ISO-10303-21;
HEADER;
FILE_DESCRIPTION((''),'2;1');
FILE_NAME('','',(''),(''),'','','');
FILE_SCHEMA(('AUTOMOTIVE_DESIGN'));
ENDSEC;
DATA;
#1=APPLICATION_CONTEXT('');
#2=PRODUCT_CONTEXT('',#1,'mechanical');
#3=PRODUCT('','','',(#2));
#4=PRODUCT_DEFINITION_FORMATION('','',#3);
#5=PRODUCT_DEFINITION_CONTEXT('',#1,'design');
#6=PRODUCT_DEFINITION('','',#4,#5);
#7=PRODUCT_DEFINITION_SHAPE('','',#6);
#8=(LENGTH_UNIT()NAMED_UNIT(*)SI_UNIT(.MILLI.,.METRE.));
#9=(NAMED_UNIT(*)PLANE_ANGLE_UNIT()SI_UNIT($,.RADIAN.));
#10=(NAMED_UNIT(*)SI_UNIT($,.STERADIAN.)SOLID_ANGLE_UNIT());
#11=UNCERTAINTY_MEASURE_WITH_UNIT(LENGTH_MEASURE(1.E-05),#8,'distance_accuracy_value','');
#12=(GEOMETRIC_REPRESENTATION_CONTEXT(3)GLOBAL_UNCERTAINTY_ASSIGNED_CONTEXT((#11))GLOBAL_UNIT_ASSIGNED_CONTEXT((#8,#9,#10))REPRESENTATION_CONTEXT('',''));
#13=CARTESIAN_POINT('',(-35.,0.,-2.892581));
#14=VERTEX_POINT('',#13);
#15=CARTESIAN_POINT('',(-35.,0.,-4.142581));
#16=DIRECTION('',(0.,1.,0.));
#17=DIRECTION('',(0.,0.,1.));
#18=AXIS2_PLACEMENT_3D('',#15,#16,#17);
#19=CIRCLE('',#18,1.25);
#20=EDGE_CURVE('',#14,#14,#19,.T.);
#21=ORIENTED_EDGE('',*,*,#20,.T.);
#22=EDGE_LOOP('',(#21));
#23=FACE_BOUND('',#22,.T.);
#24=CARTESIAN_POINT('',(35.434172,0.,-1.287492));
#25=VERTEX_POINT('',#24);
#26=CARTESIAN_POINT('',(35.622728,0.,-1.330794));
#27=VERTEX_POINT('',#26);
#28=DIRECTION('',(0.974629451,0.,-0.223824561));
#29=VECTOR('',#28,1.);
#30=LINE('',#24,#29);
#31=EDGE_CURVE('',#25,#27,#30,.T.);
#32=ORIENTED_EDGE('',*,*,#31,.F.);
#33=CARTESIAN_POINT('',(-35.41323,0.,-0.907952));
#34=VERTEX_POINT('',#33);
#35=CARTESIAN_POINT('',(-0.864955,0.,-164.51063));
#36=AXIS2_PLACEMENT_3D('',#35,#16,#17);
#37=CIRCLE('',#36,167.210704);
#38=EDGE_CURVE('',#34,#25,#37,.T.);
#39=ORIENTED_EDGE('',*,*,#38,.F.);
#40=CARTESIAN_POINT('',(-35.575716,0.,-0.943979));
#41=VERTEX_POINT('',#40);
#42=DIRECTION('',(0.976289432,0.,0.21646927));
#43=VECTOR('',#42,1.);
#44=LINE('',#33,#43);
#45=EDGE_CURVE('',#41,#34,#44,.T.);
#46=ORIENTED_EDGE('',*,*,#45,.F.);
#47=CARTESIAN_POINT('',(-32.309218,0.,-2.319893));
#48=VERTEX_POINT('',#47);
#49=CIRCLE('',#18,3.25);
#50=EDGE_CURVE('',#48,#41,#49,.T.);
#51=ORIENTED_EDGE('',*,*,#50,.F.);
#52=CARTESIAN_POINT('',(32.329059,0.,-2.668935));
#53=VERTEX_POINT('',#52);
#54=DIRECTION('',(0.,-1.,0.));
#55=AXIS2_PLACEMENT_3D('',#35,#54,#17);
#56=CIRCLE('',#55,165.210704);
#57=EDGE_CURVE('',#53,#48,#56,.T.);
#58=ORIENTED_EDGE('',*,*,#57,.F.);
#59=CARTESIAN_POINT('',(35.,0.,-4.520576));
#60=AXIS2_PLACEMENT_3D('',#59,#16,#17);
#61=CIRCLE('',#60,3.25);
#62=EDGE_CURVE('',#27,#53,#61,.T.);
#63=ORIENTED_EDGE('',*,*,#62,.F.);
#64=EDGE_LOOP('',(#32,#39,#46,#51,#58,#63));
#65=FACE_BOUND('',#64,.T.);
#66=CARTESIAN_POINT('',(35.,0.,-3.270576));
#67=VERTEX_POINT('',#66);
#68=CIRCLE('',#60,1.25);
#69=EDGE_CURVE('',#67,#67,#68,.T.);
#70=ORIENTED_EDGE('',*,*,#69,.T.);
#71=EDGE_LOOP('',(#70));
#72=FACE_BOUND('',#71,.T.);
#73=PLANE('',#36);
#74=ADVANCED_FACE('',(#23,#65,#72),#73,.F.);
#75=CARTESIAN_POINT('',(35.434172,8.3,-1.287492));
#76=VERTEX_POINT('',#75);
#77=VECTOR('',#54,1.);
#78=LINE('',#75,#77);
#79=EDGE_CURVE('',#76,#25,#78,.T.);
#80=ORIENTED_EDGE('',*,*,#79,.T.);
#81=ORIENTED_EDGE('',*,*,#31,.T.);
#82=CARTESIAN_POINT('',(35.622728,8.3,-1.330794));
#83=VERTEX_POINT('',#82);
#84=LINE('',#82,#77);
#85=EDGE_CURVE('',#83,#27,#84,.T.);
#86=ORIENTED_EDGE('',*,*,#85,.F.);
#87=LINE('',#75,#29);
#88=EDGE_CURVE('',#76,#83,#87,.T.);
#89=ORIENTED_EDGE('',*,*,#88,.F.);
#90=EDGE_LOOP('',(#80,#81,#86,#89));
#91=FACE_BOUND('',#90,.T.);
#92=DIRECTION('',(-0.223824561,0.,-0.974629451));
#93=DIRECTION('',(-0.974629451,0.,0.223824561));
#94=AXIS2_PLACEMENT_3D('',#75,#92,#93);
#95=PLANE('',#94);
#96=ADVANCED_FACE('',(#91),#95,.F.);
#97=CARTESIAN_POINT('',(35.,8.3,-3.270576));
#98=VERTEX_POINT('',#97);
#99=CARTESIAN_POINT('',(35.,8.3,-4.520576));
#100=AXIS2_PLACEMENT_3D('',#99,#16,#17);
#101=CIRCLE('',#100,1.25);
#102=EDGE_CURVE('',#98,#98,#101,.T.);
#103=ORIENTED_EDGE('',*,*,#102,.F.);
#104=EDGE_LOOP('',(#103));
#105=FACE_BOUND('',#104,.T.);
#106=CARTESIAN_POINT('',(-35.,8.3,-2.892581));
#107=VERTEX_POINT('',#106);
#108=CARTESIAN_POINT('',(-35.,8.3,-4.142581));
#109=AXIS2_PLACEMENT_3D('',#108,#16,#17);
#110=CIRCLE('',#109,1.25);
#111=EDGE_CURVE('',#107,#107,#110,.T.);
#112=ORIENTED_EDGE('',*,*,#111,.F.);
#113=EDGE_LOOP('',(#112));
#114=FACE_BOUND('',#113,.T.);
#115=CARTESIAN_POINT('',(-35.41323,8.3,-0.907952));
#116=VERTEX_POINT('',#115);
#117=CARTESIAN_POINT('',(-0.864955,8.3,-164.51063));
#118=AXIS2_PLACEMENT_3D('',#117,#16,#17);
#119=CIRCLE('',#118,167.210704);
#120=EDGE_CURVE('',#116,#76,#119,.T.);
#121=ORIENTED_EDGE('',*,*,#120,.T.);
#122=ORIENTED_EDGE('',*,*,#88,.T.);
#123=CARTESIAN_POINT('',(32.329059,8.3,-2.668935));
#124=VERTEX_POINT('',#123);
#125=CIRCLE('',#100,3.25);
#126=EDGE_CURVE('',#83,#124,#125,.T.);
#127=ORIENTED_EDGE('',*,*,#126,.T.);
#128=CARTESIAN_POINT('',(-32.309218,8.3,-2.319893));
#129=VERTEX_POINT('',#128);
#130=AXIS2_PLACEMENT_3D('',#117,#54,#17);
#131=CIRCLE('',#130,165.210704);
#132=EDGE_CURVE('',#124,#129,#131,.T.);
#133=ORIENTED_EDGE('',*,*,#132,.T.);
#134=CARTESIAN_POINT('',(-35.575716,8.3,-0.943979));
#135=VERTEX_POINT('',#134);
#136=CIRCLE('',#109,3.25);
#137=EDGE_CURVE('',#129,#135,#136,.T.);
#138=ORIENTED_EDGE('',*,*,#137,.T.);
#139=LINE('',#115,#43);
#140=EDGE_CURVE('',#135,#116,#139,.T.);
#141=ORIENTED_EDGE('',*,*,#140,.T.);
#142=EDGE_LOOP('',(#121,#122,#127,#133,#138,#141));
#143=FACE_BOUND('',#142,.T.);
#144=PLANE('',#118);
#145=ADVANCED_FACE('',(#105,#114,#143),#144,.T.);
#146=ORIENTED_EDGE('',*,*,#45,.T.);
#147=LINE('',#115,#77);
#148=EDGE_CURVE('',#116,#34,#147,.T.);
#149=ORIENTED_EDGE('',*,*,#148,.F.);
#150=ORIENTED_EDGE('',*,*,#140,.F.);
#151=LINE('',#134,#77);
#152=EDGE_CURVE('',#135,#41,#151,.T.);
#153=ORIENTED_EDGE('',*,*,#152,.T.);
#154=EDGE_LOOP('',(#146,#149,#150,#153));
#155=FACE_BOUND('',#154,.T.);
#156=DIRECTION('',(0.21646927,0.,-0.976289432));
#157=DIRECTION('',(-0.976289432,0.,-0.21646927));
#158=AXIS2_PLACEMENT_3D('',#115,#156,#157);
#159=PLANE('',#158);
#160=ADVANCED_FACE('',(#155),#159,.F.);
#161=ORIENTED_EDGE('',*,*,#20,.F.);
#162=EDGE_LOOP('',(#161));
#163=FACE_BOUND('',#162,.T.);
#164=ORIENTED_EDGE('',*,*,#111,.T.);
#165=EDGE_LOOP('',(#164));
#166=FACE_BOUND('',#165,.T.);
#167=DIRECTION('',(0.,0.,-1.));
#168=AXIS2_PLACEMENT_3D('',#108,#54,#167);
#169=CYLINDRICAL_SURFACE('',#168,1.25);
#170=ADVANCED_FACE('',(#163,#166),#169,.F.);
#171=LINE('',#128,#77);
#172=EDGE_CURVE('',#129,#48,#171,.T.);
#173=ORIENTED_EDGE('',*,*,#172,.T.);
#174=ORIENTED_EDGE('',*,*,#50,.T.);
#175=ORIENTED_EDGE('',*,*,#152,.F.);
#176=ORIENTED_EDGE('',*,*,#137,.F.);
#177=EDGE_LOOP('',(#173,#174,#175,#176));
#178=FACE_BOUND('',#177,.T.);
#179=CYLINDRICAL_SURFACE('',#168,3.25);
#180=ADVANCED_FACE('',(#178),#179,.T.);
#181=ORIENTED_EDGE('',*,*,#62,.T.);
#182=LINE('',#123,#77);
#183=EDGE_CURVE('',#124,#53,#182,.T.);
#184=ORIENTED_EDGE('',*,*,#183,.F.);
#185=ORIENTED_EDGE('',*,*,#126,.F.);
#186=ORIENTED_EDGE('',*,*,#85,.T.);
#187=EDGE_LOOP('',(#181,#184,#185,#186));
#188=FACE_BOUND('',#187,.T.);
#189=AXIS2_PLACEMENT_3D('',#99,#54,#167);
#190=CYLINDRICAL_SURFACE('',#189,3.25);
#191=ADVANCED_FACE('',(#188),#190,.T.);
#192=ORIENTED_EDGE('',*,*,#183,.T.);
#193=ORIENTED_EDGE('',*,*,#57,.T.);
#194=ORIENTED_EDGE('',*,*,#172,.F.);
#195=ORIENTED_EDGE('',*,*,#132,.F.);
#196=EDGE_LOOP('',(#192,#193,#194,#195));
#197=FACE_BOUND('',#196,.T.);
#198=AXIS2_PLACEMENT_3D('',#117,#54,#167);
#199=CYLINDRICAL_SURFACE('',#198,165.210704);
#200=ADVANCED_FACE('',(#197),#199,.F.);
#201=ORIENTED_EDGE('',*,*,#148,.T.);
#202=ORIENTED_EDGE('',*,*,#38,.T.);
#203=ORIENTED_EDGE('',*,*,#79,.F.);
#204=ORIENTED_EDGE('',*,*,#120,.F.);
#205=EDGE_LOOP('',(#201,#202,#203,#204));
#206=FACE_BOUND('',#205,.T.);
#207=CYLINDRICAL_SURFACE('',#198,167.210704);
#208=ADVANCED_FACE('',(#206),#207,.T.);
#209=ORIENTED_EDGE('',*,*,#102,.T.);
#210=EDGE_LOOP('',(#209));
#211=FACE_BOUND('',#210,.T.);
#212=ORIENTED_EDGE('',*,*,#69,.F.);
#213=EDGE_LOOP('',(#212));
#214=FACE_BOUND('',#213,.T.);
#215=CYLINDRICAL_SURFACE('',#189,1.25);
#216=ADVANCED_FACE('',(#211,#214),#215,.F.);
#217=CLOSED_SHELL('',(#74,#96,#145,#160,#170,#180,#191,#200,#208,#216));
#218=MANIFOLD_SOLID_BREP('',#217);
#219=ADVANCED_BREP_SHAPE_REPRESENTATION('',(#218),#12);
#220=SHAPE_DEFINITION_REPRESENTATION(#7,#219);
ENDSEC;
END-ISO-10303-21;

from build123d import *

# Parameters (mm, degrees)
SKETCH1_R           = 1.25
BOSS_EXTRUDE1_DEPTH = 8.3


with BuildPart() as part:
    # Sketch1 → Boss-Extrude1 (new body)
    with BuildSketch(Plane(origin=(0, 0, 0), x_dir=(1, 0, 0), z_dir=(0, 1, 0))):
        with BuildLine():
            Line((35.434172296, 1.287491613), (35.622727971, 1.3307936))
            ThreePointArc((35.622727971, 1.3307936), (36.223294794, 7.531563888), (32.32905872, 2.668935167))
            ThreePointArc((32.32905872, 2.668935167), (0.027157554, -0.697665471), (-32.309217612, 2.319893124))
            ThreePointArc((-32.309217612, 2.319893124), (-36.261610619, 7.13771657), (-35.575715837, 0.943979283))
            Line((-35.575715837, 0.943979283), (-35.413230424, 0.907951956))
            ThreePointArc((-35.413230424, 0.907951956), (0.030803418, -2.69767479), (35.434172296, 1.287491613))
        make_face()
        with Locations((-35, 4.142580739)):
            Circle(SKETCH1_R, mode=Mode.SUBTRACT)
        with Locations((35, 4.520575704)):
            Circle(SKETCH1_R, mode=Mode.SUBTRACT)
    extrude(amount=BOSS_EXTRUDE1_DEPTH)


solid = part.part
